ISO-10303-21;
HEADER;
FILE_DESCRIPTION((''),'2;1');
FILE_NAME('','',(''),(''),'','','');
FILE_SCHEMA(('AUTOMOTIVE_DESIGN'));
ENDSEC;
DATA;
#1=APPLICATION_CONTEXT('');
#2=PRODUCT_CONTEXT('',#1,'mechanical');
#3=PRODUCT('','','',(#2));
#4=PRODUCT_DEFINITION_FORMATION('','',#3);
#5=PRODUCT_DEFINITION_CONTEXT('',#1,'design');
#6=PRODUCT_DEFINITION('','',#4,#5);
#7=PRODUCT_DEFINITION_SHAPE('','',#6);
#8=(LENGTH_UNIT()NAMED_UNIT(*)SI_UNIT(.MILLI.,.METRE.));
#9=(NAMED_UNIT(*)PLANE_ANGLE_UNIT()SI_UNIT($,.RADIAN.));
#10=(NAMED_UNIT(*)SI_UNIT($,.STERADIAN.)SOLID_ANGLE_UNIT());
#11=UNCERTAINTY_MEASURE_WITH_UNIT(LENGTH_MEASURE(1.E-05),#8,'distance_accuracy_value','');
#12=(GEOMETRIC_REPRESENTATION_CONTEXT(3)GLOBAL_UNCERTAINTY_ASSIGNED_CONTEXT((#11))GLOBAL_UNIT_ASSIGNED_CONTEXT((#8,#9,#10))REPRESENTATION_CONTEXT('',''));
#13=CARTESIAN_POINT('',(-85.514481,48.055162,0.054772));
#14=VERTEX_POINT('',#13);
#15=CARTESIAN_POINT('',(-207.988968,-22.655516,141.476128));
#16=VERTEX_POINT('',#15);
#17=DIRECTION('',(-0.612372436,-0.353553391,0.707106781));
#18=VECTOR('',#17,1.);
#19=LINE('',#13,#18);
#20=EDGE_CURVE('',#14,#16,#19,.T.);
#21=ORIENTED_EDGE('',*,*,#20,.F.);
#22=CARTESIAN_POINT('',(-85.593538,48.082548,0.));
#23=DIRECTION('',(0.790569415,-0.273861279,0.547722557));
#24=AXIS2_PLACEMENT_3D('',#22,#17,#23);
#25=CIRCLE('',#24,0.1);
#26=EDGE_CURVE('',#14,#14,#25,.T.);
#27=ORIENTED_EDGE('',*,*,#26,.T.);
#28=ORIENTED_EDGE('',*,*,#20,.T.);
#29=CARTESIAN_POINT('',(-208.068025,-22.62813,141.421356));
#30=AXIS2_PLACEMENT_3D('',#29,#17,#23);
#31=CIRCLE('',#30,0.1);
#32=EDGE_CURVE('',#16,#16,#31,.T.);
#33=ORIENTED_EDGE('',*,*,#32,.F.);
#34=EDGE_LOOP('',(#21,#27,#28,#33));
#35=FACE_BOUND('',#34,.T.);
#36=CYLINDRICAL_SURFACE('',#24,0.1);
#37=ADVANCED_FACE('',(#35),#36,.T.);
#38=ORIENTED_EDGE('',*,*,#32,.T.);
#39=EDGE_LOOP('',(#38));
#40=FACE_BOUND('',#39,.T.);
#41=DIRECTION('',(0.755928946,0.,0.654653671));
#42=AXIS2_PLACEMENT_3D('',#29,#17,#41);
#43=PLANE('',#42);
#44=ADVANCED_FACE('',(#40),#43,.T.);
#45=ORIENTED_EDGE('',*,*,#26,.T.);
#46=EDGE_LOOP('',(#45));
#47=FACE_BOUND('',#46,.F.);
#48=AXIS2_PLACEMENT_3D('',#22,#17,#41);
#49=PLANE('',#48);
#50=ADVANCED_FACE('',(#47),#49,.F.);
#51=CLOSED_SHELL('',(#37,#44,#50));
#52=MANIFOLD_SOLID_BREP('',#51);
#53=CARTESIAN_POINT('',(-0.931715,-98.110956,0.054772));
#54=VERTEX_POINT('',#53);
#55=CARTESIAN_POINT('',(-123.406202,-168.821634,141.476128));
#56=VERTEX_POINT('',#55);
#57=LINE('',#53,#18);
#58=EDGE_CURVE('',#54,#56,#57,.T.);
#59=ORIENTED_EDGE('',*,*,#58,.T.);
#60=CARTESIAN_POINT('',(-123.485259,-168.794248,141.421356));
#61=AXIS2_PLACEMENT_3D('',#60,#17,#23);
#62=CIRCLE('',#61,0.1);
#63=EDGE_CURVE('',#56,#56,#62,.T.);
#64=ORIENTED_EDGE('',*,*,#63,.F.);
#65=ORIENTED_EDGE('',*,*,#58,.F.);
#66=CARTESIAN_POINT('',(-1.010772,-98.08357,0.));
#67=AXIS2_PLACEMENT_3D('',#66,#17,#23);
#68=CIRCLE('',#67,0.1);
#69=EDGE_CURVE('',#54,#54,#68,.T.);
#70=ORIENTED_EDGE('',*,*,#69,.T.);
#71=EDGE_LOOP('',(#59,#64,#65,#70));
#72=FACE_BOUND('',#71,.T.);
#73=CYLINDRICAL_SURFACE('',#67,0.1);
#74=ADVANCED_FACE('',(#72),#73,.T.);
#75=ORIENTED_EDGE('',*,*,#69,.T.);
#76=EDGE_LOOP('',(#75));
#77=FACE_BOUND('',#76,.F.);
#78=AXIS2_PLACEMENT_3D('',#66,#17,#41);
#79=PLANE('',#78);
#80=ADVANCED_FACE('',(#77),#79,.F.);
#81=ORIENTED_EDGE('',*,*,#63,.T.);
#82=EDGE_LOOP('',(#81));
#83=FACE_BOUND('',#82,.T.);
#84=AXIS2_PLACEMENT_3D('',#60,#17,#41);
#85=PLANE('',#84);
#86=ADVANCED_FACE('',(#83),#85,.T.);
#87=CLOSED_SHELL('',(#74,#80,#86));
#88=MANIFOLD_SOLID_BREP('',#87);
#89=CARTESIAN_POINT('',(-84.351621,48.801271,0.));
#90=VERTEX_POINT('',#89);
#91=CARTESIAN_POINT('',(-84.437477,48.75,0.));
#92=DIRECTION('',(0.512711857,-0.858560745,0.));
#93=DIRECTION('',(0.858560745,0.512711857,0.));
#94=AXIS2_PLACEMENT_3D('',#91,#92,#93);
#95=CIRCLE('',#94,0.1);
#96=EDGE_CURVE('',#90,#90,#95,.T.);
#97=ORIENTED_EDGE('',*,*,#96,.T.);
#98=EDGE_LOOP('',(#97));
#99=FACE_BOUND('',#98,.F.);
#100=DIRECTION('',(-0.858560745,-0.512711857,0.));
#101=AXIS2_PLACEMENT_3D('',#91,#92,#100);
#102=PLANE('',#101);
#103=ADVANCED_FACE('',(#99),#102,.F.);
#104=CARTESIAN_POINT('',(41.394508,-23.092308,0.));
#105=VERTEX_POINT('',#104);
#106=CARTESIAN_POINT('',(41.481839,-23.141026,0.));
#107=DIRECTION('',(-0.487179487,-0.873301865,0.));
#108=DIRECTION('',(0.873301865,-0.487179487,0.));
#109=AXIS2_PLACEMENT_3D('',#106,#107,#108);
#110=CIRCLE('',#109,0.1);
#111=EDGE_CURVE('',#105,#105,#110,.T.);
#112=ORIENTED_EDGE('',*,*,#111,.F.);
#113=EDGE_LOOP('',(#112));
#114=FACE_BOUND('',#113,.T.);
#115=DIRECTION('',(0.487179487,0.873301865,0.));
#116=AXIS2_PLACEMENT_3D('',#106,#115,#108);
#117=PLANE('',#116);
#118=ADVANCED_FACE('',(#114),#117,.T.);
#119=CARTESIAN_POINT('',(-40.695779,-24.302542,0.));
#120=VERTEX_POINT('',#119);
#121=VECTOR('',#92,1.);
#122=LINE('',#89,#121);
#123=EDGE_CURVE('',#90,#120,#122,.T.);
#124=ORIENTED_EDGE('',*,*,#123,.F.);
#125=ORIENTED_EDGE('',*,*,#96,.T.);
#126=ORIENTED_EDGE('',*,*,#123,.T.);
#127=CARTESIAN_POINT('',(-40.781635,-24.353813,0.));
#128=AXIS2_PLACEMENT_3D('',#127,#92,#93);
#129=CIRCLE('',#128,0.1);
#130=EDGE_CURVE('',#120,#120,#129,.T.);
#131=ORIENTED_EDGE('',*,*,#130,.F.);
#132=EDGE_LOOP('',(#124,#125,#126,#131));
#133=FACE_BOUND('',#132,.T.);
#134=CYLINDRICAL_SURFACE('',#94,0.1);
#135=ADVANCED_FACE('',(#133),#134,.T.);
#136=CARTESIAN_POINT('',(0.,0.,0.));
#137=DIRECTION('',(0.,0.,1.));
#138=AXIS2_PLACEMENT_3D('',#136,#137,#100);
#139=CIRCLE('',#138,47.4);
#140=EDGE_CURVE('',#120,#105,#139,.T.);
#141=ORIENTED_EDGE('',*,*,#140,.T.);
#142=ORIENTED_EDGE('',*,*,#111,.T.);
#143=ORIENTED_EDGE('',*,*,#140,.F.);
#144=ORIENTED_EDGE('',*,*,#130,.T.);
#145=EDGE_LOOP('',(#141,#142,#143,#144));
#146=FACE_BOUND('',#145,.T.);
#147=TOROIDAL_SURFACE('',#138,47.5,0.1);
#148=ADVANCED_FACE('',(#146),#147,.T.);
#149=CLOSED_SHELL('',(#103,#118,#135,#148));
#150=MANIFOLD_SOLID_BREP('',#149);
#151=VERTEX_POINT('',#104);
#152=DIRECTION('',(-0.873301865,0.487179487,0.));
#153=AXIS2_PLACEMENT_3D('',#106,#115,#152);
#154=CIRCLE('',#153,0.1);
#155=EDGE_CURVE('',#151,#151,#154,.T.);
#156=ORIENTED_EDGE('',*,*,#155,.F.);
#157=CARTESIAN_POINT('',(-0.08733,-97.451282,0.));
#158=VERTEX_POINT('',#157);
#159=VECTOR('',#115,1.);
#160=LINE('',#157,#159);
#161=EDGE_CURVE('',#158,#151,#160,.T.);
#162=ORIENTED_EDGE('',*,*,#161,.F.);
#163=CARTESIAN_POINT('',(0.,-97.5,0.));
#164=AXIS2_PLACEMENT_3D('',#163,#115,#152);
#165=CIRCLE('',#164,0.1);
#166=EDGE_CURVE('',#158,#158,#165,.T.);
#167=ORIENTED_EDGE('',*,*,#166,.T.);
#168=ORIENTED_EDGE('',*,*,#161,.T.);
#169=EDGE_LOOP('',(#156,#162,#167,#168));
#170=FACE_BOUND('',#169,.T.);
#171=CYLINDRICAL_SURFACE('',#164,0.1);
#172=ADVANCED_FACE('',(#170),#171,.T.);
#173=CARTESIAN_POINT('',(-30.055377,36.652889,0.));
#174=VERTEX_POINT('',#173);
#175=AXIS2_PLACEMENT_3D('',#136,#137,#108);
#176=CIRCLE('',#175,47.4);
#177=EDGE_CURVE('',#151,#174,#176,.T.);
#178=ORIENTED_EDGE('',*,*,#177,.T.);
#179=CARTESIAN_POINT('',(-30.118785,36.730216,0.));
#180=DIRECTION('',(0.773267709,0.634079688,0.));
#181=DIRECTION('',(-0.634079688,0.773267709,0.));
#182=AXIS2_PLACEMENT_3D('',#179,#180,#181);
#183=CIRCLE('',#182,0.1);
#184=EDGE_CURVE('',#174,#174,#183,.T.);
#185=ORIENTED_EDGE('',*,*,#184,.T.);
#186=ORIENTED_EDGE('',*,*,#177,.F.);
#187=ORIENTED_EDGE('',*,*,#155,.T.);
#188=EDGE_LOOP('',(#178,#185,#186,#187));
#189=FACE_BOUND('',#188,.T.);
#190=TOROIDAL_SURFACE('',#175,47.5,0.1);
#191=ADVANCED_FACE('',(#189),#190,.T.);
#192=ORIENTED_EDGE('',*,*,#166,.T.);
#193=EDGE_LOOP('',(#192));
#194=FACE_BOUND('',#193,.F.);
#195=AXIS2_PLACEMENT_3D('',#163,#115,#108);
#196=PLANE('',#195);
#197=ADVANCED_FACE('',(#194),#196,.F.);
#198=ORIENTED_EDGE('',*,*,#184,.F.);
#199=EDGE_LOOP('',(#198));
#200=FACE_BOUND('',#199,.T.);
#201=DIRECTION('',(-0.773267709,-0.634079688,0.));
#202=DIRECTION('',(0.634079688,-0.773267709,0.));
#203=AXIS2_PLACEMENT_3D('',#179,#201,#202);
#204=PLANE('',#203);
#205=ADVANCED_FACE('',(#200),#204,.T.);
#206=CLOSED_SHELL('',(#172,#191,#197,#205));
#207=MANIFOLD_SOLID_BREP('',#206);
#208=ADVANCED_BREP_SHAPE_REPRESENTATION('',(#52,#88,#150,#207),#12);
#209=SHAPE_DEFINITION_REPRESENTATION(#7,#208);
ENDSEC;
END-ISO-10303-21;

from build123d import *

# Parameters (mm, degrees)
F9_R  = 0.1
F8_R  = 0.1
F13_R = 0.1
F16_R = 0.1


with BuildPart() as f10:
    # F10: sweep along a path in F4
    with BuildLine(Plane(origin=(42.2187384345, -73.125, 0), x_dir=(-0.8660254038, -0.5, 0), z_dir=(-0.5, 0.8660254038, 0))) as f10_path:
        Line((49.9171391129, 0), (191.3384953503, 141.4213562373))
    # F9 (on line) → F10 (sweep)
    with BuildSketch(Plane(origin=(-144.0892424172, -83.1899628969, 166.3799257938), x_dir=(0.790569415, -0.2738612788, 0.5477225575), z_dir=(-0.6123724357, -0.3535533906, 0.7071067812))):
        with Locations((26.0622062585, -87.7286116016)):
            Circle(F9_R)
    sweep(path=f10_path.line)


with BuildPart() as f11:
    # F11: sweep along a path in F5
    with BuildLine(Plane(origin=(-42.2187384345, 73.125, 0), x_dir=(-0.8660254038, -0.5, 0), z_dir=(-0.5, 0.8660254038, 0))) as f11_path:
        Line((50.0849038363, 0), (191.5062600736, 141.4213562373))
    # F8 (on line) → F11 (sweep)
    with BuildSketch(Plane(origin=(-144.1618866733, -83.2319040777, 166.4638081554), x_dir=(0.790569415, -0.2738612788, 0.5477225575), z_dir=(-0.6123724357, -0.3535533906, 0.7071067812))):
        with Locations((-80.8355809783, 43.006338417)):
            Circle(F8_R)
    sweep(path=f11_path.line)


with BuildPart() as f14:
    # F14: sweep along a path in F1
    with BuildLine(Plane.XY) as f14_path:
        Line((-84.437476869, 48.75), (-40.7816353666, -24.3538131886))
        ThreePointArc((-40.7816353666, -24.3538131886), (0.7002032171, -47.4948388297), (41.4818385837, -23.141025641))
    # F13 (on line) → F14 (sweep)
    with BuildSketch(Plane(origin=(0, 0, 0), x_dir=(0.8585607446, 0.5127118566, 0), z_dir=(0.5127118566, -0.8585607446, 0))):
        with Locations((-47.5, 0)):
            Circle(F13_R)
    sweep(path=f14_path.line)


with BuildPart() as f17:
    # F17: sweep along a path in F1
    with BuildLine(Plane.XY) as f17_path:
        Line((0, -97.5), (41.4818385837, -23.141025641))
        ThreePointArc((41.4818385837, -23.141025641), (30.4700040193, 36.4393860412), (-30.1187851626, 36.7302161759))
    # F16 (on line) → F17 (sweep)
    with BuildSketch(Plane(origin=(0, 0, 0), x_dir=(-0.8733018649, 0.4871794872, 0), z_dir=(0.4871794872, 0.8733018649, 0))):
        with Locations((-47.5, 0)):
            Circle(F16_R)
    sweep(path=f17_path.line)


solid = Compound([f10.part, f11.part, f14.part, f17.part])
